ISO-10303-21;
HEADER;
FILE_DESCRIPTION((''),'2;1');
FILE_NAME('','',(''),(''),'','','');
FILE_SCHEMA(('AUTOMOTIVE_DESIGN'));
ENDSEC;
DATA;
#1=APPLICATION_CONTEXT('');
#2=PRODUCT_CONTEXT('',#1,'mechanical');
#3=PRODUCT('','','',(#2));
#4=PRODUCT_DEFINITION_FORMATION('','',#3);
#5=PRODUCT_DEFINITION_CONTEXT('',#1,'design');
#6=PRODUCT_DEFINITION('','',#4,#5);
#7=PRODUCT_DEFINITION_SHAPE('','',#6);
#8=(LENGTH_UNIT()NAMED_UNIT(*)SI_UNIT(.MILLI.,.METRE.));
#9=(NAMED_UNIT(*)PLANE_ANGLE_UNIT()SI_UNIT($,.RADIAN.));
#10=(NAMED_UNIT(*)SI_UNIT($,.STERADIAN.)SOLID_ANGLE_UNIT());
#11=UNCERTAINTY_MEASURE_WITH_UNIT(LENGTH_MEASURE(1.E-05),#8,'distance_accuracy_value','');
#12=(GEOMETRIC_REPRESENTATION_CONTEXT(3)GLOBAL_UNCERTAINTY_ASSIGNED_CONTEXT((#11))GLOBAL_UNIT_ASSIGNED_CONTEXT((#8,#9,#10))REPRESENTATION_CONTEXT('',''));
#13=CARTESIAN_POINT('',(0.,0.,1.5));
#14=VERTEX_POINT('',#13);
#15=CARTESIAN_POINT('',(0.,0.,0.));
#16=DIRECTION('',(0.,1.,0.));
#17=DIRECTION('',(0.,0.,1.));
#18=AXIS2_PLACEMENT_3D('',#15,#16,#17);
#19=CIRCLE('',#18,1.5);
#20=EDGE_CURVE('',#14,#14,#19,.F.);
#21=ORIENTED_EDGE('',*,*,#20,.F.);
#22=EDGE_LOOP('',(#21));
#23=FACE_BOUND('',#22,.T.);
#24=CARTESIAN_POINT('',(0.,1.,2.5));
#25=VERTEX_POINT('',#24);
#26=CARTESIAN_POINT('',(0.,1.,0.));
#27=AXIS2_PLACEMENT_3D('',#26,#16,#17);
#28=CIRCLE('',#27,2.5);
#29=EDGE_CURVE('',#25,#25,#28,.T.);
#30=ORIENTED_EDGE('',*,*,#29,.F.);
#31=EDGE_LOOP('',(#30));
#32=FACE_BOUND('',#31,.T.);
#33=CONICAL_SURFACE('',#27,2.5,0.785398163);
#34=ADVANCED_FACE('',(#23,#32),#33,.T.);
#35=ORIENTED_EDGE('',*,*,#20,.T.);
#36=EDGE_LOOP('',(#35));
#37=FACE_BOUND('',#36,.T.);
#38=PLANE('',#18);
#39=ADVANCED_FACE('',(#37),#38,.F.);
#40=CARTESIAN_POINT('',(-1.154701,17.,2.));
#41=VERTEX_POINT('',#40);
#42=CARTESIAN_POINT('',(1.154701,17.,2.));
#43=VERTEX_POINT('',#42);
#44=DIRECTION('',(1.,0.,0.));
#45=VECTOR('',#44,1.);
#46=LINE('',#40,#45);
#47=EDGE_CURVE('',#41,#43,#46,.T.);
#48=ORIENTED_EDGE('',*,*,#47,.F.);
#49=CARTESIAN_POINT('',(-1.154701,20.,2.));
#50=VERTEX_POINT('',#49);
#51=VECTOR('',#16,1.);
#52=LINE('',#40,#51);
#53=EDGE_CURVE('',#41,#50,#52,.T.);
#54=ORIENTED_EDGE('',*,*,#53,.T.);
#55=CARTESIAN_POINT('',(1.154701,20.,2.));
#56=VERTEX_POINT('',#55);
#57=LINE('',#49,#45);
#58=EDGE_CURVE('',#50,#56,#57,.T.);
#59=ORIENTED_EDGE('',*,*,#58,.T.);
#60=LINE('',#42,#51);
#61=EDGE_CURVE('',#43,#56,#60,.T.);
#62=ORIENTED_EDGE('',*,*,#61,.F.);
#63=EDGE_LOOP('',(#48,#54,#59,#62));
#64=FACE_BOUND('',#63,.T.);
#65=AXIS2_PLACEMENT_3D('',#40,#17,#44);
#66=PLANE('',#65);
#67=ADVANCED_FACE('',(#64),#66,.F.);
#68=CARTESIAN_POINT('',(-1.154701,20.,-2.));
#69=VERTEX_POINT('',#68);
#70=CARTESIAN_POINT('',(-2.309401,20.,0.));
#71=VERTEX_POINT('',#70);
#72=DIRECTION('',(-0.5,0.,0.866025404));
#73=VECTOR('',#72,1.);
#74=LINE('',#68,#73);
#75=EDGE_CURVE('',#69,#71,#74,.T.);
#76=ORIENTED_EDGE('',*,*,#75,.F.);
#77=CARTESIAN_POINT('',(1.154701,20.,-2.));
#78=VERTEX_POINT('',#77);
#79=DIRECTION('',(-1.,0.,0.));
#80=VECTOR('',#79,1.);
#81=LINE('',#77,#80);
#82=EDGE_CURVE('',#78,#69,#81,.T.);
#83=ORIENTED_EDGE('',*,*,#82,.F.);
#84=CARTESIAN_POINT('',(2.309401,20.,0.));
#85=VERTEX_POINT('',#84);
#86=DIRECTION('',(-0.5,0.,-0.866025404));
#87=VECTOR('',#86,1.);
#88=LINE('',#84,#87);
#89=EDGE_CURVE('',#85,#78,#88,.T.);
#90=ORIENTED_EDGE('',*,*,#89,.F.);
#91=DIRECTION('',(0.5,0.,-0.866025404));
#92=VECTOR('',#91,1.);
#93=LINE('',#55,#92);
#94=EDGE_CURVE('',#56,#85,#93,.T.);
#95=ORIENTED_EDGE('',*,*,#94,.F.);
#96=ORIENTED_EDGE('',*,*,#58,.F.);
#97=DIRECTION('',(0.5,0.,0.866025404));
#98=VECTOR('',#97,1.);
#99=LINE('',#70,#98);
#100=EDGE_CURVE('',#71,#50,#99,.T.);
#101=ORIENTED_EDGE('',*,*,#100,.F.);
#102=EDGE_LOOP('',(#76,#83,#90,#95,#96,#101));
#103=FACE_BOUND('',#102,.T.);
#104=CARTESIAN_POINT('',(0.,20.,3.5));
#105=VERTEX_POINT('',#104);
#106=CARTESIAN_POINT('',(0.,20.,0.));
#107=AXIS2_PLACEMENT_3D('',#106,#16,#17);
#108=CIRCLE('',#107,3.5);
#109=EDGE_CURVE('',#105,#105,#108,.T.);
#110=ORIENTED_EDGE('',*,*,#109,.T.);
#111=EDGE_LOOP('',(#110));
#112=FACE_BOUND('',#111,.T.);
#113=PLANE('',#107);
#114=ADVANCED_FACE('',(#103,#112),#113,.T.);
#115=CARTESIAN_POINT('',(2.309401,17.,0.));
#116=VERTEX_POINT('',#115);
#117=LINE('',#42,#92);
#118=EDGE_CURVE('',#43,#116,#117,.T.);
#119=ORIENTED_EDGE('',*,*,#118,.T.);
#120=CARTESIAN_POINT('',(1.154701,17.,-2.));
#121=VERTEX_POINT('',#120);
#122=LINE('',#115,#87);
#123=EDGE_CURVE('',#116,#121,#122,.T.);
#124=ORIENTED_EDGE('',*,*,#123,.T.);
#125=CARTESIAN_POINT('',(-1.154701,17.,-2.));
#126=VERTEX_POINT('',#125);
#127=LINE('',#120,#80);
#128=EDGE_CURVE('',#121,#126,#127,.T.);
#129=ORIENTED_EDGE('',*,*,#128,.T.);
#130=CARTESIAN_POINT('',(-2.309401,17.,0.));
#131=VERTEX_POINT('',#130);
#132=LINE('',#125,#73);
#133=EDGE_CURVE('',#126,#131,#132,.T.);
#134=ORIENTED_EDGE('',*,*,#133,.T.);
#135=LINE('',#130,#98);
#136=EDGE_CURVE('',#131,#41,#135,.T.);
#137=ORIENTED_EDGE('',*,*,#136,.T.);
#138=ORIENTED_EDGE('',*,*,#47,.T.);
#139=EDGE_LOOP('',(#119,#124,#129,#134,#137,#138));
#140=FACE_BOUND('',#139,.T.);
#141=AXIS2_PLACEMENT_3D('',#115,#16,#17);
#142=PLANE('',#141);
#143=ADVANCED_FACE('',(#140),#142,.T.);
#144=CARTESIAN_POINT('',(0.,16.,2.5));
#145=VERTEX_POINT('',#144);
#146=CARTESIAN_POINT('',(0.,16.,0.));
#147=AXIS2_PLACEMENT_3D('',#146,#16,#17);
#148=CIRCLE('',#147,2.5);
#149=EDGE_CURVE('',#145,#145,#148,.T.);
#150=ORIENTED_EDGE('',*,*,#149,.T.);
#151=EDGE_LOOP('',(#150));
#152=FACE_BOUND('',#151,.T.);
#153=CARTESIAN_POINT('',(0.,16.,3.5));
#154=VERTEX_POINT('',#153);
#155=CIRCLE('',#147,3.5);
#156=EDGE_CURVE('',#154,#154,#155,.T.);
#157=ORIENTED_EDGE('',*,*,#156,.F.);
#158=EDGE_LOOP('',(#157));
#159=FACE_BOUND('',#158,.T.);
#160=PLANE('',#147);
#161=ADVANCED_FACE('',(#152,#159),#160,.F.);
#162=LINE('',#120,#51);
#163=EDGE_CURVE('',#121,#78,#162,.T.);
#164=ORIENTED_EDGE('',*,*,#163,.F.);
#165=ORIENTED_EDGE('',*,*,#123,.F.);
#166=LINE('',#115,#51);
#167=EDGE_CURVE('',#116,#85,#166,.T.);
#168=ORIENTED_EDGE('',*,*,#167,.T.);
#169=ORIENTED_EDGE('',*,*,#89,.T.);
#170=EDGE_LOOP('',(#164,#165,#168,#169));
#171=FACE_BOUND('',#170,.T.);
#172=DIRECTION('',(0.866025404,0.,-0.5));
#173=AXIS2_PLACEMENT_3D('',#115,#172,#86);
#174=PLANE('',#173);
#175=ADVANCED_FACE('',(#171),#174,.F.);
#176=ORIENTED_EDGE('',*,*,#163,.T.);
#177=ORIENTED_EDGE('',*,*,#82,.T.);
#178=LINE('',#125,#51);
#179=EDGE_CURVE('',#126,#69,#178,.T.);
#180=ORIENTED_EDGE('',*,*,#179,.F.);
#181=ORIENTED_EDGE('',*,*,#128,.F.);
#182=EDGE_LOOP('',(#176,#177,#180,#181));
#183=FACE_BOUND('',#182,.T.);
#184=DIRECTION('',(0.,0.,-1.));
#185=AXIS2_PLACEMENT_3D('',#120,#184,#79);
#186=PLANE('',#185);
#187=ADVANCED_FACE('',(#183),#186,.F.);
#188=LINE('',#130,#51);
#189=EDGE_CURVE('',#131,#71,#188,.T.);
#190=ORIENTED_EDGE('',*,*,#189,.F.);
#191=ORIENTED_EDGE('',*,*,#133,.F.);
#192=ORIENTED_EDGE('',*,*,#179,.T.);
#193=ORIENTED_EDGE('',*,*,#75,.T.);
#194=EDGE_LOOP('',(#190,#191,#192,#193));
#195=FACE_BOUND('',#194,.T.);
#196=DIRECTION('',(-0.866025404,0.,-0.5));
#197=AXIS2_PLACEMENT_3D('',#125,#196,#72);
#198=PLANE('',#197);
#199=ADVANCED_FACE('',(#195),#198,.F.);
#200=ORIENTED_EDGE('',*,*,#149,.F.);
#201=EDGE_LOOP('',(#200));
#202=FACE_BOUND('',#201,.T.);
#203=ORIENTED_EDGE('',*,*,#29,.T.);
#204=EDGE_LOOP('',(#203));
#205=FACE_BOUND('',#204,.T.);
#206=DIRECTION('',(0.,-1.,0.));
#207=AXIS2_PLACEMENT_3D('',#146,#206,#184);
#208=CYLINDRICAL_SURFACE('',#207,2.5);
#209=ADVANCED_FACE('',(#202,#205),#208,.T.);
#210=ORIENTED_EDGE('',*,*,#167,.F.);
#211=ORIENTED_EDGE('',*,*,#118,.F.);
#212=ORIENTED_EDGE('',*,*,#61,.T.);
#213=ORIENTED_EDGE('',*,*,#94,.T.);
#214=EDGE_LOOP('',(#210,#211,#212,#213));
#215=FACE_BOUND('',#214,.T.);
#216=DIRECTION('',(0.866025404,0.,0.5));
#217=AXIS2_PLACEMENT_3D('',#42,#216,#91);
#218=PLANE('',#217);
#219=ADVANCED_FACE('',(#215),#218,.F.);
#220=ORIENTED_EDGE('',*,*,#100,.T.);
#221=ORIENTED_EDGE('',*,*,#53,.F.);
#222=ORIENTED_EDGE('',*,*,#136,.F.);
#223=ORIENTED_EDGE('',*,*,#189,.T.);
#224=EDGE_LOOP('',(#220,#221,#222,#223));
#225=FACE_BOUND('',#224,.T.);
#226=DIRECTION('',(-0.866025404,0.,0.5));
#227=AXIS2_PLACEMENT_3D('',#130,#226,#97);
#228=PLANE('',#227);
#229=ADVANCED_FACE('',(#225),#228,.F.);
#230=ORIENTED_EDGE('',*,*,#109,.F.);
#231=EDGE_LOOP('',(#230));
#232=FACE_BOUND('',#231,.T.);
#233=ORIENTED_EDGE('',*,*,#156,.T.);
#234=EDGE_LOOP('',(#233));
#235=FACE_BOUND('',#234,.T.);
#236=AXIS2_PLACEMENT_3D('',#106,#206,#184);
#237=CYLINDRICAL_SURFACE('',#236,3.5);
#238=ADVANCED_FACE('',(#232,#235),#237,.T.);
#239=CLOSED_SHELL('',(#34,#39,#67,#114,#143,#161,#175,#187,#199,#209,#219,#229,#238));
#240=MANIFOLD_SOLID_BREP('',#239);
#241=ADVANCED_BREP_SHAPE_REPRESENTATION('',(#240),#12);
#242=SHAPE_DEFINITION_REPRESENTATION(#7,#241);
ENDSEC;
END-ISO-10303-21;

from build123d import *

# Parameters (mm, degrees)
SKETCH1_R           = 2.5
BOSS_EXTRUDE1_DEPTH = 16
SKETCH2_R           = 3.5
BOSS_EXTRUDE2_DEPTH = 4
CHAMFER1_SIZE       = 1
CUT_EXTRUDE1_DEPTH  = 3


with BuildPart() as part:
    # Sketch1 → Boss-Extrude1 (new body)
    with BuildSketch(Plane(origin=(0, 0, 0), x_dir=(1, 0, 0), z_dir=(0, 1, 0))):
        with Locations(Location((0, 0, 0), (0, 0, 270))):
            Circle(SKETCH1_R)
    extrude(amount=BOSS_EXTRUDE1_DEPTH)

    # Sketch2 → Boss-Extrude2 (add)
    with BuildSketch(Plane(origin=(0, 16, 0), x_dir=(1, 0, 0), z_dir=(0, 1, 0))):
        with Locations(Location((0, 0, 0), (0, 0, 270))):
            Circle(SKETCH2_R)
    extrude(amount=BOSS_EXTRUDE2_DEPTH)

    # Chamfer1
    chamfer1_edges = [part.edges().sort_by_distance(p)[0] for p in [
        (0, 0, -2.5),
    ]]
    chamfer(chamfer1_edges, length=CHAMFER1_SIZE)

    # Sketch3 → Cut-Extrude1 (cut)
    with BuildSketch(Plane(origin=(0, 20, 0), x_dir=(1, 0, 0), z_dir=(0, 1, 0))):
        Polygon((2.309401077, 0), (1.154700538, 2), (-1.154700538, 2), (-2.309401077, 0), (-1.154700538, -2), (1.154700538, -2), align=None)
    extrude(amount=-CUT_EXTRUDE1_DEPTH, mode=Mode.SUBTRACT)


solid = part.part
